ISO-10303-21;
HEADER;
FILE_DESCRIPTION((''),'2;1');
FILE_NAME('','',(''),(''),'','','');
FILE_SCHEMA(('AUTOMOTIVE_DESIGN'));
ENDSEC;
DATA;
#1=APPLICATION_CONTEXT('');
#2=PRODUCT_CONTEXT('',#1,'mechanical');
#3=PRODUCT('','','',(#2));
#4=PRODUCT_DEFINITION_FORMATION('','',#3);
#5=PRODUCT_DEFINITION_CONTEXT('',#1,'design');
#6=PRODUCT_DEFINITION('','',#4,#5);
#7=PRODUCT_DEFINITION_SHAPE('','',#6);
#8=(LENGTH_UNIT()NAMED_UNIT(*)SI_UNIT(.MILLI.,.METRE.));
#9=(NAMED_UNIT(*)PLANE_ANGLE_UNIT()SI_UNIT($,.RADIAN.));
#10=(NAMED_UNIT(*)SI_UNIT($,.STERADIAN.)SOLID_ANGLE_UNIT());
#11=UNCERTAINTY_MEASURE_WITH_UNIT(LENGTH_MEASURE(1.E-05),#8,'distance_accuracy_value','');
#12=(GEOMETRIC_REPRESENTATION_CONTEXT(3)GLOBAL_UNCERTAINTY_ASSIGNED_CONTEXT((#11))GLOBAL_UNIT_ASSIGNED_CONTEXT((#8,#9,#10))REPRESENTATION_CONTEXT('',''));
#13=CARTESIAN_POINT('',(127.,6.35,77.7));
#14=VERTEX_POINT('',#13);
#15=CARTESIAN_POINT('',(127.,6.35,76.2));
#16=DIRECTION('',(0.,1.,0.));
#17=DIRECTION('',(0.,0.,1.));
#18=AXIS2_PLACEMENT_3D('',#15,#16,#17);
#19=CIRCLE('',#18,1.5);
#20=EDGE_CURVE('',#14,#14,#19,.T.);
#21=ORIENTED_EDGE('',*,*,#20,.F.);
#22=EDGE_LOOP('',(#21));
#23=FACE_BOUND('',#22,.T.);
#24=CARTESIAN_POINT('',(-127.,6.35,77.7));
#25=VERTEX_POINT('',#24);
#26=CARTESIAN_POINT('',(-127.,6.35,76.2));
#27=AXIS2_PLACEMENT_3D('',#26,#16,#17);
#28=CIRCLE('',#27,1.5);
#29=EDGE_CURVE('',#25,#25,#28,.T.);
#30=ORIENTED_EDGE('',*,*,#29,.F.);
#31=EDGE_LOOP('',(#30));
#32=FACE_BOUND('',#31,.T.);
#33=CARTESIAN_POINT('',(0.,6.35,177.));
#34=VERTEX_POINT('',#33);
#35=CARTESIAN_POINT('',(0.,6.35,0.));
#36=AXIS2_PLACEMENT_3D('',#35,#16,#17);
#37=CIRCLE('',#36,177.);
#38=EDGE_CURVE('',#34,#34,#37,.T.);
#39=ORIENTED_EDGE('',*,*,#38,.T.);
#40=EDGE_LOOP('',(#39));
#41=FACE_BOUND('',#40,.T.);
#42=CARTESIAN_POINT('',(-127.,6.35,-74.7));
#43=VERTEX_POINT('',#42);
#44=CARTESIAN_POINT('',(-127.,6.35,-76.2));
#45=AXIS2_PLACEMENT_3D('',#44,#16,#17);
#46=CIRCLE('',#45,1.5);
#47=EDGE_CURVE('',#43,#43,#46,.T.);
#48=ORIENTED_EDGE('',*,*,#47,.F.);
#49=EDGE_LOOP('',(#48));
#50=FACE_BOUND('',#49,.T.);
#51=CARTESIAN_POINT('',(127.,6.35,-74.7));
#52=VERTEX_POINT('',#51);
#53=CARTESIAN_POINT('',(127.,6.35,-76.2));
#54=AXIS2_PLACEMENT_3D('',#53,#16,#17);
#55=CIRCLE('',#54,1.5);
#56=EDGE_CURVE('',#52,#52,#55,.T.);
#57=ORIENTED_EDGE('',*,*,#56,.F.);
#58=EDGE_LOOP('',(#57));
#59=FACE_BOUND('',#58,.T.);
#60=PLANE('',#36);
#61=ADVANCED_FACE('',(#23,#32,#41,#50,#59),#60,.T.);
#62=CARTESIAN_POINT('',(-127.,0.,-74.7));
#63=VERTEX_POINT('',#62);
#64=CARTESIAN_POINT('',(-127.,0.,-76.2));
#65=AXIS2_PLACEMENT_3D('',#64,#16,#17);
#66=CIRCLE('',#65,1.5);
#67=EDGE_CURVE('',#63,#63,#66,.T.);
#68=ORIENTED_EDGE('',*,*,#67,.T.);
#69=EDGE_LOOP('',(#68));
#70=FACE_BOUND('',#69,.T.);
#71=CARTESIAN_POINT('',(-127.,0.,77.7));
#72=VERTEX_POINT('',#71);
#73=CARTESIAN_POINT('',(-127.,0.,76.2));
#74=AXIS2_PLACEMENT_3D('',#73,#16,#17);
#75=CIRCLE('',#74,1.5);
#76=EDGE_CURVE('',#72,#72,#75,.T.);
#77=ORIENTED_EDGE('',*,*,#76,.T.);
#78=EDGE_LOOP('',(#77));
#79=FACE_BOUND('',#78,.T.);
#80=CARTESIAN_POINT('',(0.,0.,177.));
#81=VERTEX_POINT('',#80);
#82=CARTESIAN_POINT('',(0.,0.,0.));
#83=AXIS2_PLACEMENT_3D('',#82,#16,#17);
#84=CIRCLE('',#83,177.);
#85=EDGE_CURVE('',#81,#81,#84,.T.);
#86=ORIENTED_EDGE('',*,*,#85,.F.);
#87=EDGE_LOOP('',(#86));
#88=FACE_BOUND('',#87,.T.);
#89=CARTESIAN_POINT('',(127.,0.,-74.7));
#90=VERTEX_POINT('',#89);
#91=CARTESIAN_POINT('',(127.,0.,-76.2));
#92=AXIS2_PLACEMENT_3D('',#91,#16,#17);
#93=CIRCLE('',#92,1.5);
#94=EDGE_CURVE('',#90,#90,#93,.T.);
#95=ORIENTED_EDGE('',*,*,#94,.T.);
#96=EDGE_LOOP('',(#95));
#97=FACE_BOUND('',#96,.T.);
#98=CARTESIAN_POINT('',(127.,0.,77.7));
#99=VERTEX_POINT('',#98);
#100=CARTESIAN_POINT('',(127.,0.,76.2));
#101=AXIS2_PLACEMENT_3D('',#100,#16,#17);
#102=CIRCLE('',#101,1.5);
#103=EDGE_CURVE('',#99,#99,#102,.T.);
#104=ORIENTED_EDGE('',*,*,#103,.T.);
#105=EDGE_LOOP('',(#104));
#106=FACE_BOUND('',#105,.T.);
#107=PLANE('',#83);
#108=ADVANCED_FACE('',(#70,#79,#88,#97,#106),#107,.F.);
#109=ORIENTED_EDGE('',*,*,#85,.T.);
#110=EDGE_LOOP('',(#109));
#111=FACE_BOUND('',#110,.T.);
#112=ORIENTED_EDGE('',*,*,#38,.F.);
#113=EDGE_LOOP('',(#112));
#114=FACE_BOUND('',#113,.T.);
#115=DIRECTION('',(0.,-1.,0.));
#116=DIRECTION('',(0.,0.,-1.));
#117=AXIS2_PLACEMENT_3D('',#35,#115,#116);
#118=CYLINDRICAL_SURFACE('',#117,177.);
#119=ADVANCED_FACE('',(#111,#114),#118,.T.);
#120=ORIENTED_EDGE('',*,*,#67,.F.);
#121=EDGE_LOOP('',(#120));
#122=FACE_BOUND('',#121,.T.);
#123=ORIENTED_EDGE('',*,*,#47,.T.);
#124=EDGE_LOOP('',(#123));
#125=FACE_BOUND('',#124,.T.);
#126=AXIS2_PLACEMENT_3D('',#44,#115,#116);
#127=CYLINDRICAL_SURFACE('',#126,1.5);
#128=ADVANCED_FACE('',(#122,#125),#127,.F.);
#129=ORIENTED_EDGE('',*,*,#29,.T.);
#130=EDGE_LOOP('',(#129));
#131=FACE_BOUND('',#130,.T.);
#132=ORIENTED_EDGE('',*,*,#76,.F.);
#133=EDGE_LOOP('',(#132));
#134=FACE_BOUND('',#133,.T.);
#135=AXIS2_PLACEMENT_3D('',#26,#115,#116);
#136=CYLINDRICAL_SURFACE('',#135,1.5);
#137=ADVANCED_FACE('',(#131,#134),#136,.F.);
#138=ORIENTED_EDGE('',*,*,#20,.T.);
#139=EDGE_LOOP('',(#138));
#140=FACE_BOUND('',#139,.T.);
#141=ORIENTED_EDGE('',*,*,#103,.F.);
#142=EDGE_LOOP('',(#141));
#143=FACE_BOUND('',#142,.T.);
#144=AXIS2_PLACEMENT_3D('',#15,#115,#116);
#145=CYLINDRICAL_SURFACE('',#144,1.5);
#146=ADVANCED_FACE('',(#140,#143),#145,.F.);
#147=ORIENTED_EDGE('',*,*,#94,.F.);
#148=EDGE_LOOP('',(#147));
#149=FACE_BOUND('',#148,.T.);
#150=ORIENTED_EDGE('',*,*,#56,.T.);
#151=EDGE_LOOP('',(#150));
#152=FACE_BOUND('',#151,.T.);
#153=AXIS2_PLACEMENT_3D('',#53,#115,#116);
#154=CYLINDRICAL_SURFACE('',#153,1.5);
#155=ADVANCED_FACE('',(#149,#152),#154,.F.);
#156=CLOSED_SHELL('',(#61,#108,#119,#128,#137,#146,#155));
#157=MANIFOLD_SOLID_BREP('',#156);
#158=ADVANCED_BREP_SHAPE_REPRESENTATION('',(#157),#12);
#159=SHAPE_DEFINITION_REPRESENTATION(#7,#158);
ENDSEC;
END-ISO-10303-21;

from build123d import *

# Parameters (mm, degrees)
SKETCH1_R           = 177
SKETCH1_R_2         = 1.5
BOSS_EXTRUDE1_DEPTH = 6.35


with BuildPart() as part:
    # Sketch1 → Boss-Extrude1 (new body)
    with BuildSketch(Plane(origin=(0, 0, 0), x_dir=(1, 0, 0), z_dir=(0, 1, 0))):
        with Locations(Location((0, 0, 0), (0, 0, 270))):
            Circle(SKETCH1_R)
        with Locations(Location((-127, -76.2, 0), (0, 0, 270))):
            Circle(SKETCH1_R_2, mode=Mode.SUBTRACT)
        with Locations(Location((-127, 76.2, 0), (0, 0, 270))):
            Circle(SKETCH1_R_2, mode=Mode.SUBTRACT)
        with Locations(Location((127, 76.2, 0), (0, 0, 270))):
            Circle(SKETCH1_R_2, mode=Mode.SUBTRACT)
        with Locations(Location((127, -76.2, 0), (0, 0, 270))):
            Circle(SKETCH1_R_2, mode=Mode.SUBTRACT)
    extrude(amount=BOSS_EXTRUDE1_DEPTH)


solid = part.part
